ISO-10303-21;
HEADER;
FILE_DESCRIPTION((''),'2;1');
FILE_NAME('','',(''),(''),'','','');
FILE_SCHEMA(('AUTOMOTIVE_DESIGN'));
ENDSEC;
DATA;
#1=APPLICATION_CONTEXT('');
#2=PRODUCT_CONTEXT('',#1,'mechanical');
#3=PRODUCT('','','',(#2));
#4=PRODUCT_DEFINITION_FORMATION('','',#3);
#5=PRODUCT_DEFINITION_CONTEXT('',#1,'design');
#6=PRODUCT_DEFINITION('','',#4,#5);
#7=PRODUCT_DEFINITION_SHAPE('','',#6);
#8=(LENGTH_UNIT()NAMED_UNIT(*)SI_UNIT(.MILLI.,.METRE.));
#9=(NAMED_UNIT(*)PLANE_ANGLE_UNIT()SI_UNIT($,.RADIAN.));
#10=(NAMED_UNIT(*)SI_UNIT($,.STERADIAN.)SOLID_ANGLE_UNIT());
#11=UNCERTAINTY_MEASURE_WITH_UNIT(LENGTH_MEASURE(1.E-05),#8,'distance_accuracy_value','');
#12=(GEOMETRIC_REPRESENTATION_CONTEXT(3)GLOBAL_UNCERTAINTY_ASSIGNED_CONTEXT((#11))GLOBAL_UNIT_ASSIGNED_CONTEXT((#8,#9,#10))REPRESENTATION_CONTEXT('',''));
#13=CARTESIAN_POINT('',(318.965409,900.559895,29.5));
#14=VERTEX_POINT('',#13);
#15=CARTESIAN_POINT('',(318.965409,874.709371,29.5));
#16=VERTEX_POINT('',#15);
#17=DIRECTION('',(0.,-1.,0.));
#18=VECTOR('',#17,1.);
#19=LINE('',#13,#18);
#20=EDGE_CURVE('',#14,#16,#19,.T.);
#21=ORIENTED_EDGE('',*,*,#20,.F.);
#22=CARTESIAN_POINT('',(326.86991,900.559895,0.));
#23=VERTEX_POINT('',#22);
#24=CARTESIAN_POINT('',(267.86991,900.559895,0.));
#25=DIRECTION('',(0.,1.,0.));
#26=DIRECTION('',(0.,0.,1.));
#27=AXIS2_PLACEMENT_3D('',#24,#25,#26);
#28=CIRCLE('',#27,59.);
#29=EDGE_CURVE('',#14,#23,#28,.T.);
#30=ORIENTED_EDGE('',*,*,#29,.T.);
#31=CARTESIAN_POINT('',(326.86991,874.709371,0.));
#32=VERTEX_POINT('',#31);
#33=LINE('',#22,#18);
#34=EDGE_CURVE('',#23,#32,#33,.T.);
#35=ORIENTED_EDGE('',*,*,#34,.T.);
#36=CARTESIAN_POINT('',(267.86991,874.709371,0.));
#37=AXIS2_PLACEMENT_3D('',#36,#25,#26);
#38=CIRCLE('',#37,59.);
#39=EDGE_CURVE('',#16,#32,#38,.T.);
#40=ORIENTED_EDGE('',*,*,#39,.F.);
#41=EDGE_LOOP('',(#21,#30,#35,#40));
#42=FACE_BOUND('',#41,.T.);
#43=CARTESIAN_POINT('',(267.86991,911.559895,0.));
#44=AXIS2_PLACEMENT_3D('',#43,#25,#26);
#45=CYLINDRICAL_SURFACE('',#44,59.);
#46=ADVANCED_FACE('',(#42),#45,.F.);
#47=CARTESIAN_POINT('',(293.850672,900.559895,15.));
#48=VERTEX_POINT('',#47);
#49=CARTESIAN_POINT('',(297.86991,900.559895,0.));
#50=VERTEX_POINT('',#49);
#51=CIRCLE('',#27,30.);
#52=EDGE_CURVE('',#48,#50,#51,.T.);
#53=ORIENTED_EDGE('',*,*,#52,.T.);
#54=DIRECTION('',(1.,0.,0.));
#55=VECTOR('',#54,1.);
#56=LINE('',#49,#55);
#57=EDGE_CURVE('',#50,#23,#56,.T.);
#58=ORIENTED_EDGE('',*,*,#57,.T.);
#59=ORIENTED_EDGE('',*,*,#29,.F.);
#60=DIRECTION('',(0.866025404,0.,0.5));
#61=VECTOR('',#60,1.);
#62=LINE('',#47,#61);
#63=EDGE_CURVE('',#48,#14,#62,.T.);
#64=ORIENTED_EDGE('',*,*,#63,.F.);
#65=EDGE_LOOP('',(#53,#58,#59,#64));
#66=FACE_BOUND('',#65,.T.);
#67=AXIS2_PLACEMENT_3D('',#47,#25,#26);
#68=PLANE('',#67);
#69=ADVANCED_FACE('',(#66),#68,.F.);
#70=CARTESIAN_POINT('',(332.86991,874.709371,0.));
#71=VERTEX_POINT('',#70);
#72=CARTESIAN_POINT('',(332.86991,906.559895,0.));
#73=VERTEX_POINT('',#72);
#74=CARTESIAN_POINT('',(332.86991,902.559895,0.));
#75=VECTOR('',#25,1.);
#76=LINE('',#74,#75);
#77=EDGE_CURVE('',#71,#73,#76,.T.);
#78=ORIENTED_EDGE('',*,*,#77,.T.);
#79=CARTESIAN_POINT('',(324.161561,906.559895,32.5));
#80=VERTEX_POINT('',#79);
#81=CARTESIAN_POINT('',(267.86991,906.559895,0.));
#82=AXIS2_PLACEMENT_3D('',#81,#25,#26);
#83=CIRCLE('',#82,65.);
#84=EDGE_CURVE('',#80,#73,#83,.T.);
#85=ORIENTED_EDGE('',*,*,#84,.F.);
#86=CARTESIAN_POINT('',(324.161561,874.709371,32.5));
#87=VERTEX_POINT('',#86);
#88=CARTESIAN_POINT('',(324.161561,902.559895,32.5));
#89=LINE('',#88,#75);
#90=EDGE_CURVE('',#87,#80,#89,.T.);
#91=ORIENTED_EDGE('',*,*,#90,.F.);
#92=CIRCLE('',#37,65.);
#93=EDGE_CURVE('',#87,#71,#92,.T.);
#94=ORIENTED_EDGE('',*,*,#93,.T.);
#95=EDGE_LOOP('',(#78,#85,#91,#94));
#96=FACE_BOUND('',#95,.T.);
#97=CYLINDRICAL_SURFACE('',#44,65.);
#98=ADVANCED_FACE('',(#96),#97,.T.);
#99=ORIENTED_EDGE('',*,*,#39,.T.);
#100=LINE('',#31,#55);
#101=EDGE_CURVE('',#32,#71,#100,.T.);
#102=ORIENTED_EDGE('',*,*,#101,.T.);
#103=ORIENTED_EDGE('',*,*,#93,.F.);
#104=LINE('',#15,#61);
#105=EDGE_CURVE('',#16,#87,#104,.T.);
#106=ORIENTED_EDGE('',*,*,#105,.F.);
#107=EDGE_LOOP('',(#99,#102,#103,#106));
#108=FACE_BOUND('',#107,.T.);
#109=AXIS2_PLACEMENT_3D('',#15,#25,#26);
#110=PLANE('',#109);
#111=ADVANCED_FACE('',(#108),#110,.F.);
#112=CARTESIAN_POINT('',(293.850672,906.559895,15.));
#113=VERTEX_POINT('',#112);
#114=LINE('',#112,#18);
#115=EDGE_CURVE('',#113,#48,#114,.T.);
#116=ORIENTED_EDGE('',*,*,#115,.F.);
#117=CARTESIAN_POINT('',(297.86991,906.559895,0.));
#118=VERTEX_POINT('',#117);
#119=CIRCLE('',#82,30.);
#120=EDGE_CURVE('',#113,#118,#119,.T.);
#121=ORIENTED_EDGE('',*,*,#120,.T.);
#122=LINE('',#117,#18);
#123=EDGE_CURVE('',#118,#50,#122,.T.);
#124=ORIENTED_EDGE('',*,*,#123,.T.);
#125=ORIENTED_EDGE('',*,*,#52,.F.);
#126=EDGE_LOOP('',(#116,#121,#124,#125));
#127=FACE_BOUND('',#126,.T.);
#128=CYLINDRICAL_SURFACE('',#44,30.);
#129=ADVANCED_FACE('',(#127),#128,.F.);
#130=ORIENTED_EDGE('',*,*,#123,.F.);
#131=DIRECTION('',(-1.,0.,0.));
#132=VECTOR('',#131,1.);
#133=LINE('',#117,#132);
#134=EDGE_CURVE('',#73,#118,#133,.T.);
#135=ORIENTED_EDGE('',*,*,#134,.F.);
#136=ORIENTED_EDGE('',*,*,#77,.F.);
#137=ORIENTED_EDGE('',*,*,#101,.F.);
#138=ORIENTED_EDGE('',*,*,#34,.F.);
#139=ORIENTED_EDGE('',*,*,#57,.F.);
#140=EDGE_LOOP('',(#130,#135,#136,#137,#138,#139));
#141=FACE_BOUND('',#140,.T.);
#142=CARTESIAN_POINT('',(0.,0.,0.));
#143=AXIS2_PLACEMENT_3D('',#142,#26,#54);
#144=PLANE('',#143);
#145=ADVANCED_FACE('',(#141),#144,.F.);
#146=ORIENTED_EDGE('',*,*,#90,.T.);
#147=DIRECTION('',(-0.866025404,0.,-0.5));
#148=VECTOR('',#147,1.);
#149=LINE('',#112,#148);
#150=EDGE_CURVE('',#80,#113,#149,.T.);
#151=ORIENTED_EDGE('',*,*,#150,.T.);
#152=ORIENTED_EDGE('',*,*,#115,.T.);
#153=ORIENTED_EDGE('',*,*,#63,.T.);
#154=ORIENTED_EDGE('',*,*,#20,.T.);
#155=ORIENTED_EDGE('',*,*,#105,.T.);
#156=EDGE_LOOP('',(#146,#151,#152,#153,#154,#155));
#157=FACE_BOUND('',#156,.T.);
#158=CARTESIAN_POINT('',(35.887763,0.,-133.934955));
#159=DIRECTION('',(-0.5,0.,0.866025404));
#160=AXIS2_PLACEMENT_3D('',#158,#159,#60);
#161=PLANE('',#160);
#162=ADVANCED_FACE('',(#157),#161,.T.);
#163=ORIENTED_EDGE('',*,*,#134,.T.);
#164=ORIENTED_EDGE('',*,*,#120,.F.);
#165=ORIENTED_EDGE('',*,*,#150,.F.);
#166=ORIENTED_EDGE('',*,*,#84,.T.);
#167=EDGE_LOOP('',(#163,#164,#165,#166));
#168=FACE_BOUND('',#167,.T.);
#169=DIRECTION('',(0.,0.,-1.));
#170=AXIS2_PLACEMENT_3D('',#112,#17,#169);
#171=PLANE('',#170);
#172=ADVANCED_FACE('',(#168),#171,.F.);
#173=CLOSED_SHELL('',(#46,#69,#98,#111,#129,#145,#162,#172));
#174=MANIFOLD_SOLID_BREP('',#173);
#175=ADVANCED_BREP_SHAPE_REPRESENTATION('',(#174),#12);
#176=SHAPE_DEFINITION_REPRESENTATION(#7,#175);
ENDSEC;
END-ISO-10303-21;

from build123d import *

# Parameters (mm, degrees)
REVOLVE1_ANGLE = 30


with BuildPart() as part:
    # Sketch1 → Revolve1 (revolve)
    with BuildSketch(Plane.XY):
        Polygon((297.869910117, 906.559895472), (332.869910117, 906.559895472), (332.869910117, 902.559895472), (332.869910117, 874.70937118), (326.869910117, 874.70937118), (326.869910117, 900.559895472), (297.869910117, 900.559895472), align=None)
    revolve(axis=Axis((267.869910117, 911.559895472, 0), (0, -1, 0)), revolution_arc=REVOLVE1_ANGLE)


solid = part.part
